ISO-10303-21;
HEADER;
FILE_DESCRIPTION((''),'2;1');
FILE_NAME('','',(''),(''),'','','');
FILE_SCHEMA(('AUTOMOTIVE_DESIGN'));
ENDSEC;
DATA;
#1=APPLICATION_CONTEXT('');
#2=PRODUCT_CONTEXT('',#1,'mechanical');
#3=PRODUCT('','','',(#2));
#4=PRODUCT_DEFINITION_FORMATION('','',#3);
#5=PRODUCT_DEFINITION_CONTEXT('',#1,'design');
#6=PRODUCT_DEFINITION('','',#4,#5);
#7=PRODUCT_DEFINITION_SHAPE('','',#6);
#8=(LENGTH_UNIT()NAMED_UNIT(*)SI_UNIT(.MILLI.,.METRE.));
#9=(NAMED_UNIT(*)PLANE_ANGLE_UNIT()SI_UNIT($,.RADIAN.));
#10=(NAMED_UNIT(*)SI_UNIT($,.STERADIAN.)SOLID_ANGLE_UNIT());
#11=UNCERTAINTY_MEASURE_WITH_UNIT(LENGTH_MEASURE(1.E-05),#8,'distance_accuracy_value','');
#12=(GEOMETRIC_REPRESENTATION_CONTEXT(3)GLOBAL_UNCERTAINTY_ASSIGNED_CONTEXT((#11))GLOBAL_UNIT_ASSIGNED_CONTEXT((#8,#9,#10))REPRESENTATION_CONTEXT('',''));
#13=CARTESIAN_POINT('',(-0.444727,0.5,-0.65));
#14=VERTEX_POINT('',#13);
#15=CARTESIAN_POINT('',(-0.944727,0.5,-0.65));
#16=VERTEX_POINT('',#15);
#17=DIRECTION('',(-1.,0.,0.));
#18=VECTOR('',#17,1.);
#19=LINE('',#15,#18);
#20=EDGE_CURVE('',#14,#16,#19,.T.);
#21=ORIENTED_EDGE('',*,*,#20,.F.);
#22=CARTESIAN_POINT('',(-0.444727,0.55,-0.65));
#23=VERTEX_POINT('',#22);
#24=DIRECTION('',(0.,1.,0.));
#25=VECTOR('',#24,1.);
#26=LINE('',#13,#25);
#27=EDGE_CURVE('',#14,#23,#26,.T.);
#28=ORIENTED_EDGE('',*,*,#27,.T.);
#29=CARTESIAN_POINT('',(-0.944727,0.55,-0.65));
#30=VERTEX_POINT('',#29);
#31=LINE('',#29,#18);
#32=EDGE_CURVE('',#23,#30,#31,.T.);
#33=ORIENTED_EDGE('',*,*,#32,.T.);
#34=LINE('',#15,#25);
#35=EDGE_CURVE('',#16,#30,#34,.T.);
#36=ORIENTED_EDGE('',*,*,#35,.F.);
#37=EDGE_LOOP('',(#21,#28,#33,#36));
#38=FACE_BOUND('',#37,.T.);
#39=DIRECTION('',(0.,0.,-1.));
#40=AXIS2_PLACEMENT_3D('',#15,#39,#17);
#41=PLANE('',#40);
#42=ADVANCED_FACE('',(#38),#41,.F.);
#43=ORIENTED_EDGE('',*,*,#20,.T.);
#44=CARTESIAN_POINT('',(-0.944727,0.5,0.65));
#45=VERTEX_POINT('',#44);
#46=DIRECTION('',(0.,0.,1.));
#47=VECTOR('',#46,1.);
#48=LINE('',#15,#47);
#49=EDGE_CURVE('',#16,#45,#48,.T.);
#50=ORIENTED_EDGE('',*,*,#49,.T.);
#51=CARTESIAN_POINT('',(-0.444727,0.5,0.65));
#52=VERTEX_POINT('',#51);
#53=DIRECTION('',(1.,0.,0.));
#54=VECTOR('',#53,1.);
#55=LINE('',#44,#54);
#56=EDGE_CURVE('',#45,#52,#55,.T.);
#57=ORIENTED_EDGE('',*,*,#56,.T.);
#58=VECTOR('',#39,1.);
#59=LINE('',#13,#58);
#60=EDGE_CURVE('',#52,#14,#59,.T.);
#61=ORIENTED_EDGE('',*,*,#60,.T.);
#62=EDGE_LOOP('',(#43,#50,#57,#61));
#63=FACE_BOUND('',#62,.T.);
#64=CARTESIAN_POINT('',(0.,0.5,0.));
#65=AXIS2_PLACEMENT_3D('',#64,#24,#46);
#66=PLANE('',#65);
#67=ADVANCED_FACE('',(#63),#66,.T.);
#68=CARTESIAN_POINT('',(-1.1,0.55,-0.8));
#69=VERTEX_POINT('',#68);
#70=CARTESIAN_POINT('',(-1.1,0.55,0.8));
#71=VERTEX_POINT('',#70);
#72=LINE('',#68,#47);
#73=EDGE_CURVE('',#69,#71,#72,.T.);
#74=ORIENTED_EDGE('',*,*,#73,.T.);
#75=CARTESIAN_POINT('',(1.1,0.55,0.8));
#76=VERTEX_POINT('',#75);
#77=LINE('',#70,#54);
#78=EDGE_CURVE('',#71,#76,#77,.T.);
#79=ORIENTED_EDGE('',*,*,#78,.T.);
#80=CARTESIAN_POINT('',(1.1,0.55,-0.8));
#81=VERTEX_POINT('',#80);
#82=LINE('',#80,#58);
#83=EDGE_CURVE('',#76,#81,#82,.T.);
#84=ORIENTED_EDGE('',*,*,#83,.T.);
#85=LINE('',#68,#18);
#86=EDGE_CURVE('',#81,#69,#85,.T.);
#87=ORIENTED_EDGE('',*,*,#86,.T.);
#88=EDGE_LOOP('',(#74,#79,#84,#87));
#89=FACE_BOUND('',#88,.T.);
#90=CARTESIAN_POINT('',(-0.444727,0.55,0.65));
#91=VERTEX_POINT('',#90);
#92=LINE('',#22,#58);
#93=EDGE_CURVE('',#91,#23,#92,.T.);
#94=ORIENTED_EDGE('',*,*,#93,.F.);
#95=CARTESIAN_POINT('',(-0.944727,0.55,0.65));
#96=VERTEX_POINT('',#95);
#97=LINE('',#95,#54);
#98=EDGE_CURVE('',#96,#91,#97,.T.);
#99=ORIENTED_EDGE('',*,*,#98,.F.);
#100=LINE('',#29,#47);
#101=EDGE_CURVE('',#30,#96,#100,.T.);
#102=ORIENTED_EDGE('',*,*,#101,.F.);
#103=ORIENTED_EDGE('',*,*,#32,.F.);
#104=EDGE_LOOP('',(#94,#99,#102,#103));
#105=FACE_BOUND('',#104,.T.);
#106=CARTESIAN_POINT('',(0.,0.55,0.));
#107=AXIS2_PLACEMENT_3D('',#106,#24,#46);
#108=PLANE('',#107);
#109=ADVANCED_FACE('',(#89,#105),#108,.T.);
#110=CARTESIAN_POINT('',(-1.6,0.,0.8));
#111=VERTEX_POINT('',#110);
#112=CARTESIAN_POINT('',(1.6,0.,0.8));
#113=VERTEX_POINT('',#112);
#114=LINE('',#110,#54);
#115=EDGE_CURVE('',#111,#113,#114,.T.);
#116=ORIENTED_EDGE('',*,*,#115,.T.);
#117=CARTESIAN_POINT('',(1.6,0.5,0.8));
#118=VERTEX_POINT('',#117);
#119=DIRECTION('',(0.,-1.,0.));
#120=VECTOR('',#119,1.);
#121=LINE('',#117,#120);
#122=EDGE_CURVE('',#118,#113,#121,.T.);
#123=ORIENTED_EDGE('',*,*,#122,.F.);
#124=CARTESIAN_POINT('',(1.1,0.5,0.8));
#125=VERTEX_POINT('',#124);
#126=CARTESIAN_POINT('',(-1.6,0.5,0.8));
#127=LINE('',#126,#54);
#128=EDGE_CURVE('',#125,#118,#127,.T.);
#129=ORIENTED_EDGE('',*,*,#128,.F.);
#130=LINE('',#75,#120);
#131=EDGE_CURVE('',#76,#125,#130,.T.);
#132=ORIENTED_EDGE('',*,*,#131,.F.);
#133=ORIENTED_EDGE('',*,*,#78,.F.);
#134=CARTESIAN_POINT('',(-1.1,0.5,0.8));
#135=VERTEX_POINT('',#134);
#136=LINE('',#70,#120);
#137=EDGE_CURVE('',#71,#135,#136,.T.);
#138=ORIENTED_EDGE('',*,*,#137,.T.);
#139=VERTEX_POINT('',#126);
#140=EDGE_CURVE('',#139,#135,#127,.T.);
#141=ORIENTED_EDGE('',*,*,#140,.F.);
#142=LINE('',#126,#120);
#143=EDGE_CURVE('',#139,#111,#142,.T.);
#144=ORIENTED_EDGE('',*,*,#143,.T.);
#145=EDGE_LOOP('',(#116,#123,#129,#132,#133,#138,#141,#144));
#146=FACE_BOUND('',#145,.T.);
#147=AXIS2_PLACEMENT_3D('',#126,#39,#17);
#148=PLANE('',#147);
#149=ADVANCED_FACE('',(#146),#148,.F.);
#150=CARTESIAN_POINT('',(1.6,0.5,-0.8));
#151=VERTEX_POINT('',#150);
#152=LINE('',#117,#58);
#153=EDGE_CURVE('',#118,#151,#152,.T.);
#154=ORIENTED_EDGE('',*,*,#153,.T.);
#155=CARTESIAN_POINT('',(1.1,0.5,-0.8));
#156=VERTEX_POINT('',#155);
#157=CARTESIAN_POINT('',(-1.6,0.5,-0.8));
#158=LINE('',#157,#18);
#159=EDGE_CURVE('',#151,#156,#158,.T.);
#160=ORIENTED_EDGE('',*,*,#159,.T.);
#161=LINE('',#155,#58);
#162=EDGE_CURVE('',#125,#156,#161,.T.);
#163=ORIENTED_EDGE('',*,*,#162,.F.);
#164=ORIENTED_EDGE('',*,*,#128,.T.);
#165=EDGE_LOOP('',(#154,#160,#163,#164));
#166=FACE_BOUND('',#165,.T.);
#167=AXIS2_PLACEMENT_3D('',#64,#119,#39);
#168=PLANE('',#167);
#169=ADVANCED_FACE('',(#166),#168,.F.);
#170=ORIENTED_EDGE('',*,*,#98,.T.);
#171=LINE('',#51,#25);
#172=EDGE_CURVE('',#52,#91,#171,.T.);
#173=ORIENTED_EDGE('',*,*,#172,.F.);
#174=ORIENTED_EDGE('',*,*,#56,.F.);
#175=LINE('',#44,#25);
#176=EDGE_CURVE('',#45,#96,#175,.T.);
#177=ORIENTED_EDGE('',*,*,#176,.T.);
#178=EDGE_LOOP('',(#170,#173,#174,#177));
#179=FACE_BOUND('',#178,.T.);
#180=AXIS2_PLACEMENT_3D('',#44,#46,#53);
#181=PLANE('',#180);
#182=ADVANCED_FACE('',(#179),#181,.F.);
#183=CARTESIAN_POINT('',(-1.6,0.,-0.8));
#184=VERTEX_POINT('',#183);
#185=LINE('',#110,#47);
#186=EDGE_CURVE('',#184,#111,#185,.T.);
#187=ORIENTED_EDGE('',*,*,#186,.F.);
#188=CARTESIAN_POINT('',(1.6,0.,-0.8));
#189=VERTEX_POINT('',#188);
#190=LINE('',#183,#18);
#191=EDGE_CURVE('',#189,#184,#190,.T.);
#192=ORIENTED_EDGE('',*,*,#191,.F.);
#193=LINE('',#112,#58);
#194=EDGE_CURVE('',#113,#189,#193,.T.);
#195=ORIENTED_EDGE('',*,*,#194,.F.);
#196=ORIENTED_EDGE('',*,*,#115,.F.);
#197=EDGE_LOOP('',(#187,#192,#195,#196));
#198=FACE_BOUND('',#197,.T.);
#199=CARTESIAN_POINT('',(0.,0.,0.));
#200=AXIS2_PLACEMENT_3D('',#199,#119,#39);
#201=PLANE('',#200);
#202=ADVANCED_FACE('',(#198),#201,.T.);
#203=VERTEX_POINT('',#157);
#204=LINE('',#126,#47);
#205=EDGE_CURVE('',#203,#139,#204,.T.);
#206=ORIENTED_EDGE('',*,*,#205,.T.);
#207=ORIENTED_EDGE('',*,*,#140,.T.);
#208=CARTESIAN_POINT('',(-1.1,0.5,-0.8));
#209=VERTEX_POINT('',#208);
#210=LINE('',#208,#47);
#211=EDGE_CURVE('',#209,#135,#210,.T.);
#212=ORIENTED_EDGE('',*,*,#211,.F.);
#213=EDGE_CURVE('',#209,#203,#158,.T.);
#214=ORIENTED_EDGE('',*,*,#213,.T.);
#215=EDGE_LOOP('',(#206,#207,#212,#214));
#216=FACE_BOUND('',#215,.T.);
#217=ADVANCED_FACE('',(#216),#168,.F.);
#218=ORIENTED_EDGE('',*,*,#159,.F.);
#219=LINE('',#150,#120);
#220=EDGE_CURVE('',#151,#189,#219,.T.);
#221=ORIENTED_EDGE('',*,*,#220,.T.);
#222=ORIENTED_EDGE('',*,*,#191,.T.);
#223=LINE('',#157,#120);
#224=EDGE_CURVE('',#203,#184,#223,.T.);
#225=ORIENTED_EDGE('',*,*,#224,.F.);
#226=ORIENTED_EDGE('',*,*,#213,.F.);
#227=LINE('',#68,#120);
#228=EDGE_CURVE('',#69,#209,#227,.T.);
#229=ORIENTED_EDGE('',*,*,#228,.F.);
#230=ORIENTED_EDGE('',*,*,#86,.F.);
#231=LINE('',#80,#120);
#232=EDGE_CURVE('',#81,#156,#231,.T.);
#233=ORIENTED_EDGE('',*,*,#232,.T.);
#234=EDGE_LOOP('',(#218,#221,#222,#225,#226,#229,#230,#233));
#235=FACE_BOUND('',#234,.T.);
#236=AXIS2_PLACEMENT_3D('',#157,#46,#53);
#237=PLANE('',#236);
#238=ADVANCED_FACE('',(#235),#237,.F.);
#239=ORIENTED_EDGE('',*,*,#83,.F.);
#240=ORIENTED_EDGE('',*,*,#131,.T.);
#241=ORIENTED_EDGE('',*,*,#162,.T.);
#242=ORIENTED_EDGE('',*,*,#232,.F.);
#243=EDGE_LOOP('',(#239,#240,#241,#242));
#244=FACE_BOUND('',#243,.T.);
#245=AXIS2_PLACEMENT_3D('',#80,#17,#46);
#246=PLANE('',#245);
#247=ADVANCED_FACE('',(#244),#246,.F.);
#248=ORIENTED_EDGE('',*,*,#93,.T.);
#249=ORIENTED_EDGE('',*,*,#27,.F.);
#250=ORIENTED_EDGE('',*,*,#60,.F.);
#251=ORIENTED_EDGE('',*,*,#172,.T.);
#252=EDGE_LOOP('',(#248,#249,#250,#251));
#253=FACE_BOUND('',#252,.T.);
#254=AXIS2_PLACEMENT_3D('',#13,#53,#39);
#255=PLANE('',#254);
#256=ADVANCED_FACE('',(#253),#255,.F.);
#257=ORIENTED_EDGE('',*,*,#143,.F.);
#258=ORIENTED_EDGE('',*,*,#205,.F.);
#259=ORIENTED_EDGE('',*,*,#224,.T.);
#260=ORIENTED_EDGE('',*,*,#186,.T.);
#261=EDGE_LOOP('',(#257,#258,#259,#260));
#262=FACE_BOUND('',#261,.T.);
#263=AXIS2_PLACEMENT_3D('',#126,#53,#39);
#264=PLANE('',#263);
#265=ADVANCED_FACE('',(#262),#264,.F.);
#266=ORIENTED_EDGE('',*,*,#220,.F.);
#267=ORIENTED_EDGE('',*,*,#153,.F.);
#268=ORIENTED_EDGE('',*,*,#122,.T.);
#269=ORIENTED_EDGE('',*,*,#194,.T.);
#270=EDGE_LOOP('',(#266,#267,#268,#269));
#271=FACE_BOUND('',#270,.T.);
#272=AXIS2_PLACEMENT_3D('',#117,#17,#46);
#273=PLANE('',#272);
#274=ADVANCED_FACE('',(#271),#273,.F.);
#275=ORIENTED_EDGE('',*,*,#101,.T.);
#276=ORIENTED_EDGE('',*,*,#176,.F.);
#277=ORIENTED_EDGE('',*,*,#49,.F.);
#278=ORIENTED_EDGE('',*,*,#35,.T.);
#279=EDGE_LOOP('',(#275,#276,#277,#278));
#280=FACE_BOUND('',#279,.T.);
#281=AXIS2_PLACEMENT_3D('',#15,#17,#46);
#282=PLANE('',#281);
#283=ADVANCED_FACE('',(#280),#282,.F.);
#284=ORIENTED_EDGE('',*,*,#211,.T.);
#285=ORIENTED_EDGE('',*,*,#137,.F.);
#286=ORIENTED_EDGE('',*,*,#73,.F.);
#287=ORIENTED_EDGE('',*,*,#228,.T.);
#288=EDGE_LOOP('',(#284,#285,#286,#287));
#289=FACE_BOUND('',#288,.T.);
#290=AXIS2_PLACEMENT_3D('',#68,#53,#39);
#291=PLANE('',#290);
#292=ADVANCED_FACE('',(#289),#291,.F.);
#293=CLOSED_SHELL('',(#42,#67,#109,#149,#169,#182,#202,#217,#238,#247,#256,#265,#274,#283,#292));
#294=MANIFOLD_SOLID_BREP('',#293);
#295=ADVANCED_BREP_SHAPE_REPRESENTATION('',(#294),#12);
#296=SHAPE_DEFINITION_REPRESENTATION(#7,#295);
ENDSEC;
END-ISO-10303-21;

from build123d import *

# Parameters (mm, degrees)
SKETCH1_W           = 3.2
SKETCH1_H           = 1.6
BOSS_EXTRUDE1_DEPTH = 0.5
SKETCH2_W           = 2.2
SKETCH2_H           = 1.6
BOSS_EXTRUDE2_DEPTH = 0.05
SKETCH3_W           = 0.5
SKETCH3_H           = 1.3
CUT_EXTRUDE1_DEPTH  = 0.05


with BuildPart() as part:
    # Sketch1 → Boss-Extrude1 (new body)
    with BuildSketch(Plane(origin=(0, 0, 0), x_dir=(1, 0, 0), z_dir=(0, 1, 0))):
        Rectangle(SKETCH1_W, SKETCH1_H)
    extrude(amount=BOSS_EXTRUDE1_DEPTH)

    # Sketch2 → Boss-Extrude2 (add)
    with BuildSketch(Plane(origin=(0, 0.5, 0), x_dir=(1, 0, 0), z_dir=(0, 1, 0))):
        Rectangle(SKETCH2_W, SKETCH2_H)
    extrude(amount=BOSS_EXTRUDE2_DEPTH)

    # Sketch3 → Cut-Extrude1 (cut)
    with BuildSketch(Plane(origin=(0, 0.55, 0), x_dir=(1, 0, 0), z_dir=(0, 1, 0))):
        with Locations((-0.694727383, 0)):
            Rectangle(SKETCH3_W, SKETCH3_H)
    extrude(amount=-CUT_EXTRUDE1_DEPTH, mode=Mode.SUBTRACT)


solid = part.part
